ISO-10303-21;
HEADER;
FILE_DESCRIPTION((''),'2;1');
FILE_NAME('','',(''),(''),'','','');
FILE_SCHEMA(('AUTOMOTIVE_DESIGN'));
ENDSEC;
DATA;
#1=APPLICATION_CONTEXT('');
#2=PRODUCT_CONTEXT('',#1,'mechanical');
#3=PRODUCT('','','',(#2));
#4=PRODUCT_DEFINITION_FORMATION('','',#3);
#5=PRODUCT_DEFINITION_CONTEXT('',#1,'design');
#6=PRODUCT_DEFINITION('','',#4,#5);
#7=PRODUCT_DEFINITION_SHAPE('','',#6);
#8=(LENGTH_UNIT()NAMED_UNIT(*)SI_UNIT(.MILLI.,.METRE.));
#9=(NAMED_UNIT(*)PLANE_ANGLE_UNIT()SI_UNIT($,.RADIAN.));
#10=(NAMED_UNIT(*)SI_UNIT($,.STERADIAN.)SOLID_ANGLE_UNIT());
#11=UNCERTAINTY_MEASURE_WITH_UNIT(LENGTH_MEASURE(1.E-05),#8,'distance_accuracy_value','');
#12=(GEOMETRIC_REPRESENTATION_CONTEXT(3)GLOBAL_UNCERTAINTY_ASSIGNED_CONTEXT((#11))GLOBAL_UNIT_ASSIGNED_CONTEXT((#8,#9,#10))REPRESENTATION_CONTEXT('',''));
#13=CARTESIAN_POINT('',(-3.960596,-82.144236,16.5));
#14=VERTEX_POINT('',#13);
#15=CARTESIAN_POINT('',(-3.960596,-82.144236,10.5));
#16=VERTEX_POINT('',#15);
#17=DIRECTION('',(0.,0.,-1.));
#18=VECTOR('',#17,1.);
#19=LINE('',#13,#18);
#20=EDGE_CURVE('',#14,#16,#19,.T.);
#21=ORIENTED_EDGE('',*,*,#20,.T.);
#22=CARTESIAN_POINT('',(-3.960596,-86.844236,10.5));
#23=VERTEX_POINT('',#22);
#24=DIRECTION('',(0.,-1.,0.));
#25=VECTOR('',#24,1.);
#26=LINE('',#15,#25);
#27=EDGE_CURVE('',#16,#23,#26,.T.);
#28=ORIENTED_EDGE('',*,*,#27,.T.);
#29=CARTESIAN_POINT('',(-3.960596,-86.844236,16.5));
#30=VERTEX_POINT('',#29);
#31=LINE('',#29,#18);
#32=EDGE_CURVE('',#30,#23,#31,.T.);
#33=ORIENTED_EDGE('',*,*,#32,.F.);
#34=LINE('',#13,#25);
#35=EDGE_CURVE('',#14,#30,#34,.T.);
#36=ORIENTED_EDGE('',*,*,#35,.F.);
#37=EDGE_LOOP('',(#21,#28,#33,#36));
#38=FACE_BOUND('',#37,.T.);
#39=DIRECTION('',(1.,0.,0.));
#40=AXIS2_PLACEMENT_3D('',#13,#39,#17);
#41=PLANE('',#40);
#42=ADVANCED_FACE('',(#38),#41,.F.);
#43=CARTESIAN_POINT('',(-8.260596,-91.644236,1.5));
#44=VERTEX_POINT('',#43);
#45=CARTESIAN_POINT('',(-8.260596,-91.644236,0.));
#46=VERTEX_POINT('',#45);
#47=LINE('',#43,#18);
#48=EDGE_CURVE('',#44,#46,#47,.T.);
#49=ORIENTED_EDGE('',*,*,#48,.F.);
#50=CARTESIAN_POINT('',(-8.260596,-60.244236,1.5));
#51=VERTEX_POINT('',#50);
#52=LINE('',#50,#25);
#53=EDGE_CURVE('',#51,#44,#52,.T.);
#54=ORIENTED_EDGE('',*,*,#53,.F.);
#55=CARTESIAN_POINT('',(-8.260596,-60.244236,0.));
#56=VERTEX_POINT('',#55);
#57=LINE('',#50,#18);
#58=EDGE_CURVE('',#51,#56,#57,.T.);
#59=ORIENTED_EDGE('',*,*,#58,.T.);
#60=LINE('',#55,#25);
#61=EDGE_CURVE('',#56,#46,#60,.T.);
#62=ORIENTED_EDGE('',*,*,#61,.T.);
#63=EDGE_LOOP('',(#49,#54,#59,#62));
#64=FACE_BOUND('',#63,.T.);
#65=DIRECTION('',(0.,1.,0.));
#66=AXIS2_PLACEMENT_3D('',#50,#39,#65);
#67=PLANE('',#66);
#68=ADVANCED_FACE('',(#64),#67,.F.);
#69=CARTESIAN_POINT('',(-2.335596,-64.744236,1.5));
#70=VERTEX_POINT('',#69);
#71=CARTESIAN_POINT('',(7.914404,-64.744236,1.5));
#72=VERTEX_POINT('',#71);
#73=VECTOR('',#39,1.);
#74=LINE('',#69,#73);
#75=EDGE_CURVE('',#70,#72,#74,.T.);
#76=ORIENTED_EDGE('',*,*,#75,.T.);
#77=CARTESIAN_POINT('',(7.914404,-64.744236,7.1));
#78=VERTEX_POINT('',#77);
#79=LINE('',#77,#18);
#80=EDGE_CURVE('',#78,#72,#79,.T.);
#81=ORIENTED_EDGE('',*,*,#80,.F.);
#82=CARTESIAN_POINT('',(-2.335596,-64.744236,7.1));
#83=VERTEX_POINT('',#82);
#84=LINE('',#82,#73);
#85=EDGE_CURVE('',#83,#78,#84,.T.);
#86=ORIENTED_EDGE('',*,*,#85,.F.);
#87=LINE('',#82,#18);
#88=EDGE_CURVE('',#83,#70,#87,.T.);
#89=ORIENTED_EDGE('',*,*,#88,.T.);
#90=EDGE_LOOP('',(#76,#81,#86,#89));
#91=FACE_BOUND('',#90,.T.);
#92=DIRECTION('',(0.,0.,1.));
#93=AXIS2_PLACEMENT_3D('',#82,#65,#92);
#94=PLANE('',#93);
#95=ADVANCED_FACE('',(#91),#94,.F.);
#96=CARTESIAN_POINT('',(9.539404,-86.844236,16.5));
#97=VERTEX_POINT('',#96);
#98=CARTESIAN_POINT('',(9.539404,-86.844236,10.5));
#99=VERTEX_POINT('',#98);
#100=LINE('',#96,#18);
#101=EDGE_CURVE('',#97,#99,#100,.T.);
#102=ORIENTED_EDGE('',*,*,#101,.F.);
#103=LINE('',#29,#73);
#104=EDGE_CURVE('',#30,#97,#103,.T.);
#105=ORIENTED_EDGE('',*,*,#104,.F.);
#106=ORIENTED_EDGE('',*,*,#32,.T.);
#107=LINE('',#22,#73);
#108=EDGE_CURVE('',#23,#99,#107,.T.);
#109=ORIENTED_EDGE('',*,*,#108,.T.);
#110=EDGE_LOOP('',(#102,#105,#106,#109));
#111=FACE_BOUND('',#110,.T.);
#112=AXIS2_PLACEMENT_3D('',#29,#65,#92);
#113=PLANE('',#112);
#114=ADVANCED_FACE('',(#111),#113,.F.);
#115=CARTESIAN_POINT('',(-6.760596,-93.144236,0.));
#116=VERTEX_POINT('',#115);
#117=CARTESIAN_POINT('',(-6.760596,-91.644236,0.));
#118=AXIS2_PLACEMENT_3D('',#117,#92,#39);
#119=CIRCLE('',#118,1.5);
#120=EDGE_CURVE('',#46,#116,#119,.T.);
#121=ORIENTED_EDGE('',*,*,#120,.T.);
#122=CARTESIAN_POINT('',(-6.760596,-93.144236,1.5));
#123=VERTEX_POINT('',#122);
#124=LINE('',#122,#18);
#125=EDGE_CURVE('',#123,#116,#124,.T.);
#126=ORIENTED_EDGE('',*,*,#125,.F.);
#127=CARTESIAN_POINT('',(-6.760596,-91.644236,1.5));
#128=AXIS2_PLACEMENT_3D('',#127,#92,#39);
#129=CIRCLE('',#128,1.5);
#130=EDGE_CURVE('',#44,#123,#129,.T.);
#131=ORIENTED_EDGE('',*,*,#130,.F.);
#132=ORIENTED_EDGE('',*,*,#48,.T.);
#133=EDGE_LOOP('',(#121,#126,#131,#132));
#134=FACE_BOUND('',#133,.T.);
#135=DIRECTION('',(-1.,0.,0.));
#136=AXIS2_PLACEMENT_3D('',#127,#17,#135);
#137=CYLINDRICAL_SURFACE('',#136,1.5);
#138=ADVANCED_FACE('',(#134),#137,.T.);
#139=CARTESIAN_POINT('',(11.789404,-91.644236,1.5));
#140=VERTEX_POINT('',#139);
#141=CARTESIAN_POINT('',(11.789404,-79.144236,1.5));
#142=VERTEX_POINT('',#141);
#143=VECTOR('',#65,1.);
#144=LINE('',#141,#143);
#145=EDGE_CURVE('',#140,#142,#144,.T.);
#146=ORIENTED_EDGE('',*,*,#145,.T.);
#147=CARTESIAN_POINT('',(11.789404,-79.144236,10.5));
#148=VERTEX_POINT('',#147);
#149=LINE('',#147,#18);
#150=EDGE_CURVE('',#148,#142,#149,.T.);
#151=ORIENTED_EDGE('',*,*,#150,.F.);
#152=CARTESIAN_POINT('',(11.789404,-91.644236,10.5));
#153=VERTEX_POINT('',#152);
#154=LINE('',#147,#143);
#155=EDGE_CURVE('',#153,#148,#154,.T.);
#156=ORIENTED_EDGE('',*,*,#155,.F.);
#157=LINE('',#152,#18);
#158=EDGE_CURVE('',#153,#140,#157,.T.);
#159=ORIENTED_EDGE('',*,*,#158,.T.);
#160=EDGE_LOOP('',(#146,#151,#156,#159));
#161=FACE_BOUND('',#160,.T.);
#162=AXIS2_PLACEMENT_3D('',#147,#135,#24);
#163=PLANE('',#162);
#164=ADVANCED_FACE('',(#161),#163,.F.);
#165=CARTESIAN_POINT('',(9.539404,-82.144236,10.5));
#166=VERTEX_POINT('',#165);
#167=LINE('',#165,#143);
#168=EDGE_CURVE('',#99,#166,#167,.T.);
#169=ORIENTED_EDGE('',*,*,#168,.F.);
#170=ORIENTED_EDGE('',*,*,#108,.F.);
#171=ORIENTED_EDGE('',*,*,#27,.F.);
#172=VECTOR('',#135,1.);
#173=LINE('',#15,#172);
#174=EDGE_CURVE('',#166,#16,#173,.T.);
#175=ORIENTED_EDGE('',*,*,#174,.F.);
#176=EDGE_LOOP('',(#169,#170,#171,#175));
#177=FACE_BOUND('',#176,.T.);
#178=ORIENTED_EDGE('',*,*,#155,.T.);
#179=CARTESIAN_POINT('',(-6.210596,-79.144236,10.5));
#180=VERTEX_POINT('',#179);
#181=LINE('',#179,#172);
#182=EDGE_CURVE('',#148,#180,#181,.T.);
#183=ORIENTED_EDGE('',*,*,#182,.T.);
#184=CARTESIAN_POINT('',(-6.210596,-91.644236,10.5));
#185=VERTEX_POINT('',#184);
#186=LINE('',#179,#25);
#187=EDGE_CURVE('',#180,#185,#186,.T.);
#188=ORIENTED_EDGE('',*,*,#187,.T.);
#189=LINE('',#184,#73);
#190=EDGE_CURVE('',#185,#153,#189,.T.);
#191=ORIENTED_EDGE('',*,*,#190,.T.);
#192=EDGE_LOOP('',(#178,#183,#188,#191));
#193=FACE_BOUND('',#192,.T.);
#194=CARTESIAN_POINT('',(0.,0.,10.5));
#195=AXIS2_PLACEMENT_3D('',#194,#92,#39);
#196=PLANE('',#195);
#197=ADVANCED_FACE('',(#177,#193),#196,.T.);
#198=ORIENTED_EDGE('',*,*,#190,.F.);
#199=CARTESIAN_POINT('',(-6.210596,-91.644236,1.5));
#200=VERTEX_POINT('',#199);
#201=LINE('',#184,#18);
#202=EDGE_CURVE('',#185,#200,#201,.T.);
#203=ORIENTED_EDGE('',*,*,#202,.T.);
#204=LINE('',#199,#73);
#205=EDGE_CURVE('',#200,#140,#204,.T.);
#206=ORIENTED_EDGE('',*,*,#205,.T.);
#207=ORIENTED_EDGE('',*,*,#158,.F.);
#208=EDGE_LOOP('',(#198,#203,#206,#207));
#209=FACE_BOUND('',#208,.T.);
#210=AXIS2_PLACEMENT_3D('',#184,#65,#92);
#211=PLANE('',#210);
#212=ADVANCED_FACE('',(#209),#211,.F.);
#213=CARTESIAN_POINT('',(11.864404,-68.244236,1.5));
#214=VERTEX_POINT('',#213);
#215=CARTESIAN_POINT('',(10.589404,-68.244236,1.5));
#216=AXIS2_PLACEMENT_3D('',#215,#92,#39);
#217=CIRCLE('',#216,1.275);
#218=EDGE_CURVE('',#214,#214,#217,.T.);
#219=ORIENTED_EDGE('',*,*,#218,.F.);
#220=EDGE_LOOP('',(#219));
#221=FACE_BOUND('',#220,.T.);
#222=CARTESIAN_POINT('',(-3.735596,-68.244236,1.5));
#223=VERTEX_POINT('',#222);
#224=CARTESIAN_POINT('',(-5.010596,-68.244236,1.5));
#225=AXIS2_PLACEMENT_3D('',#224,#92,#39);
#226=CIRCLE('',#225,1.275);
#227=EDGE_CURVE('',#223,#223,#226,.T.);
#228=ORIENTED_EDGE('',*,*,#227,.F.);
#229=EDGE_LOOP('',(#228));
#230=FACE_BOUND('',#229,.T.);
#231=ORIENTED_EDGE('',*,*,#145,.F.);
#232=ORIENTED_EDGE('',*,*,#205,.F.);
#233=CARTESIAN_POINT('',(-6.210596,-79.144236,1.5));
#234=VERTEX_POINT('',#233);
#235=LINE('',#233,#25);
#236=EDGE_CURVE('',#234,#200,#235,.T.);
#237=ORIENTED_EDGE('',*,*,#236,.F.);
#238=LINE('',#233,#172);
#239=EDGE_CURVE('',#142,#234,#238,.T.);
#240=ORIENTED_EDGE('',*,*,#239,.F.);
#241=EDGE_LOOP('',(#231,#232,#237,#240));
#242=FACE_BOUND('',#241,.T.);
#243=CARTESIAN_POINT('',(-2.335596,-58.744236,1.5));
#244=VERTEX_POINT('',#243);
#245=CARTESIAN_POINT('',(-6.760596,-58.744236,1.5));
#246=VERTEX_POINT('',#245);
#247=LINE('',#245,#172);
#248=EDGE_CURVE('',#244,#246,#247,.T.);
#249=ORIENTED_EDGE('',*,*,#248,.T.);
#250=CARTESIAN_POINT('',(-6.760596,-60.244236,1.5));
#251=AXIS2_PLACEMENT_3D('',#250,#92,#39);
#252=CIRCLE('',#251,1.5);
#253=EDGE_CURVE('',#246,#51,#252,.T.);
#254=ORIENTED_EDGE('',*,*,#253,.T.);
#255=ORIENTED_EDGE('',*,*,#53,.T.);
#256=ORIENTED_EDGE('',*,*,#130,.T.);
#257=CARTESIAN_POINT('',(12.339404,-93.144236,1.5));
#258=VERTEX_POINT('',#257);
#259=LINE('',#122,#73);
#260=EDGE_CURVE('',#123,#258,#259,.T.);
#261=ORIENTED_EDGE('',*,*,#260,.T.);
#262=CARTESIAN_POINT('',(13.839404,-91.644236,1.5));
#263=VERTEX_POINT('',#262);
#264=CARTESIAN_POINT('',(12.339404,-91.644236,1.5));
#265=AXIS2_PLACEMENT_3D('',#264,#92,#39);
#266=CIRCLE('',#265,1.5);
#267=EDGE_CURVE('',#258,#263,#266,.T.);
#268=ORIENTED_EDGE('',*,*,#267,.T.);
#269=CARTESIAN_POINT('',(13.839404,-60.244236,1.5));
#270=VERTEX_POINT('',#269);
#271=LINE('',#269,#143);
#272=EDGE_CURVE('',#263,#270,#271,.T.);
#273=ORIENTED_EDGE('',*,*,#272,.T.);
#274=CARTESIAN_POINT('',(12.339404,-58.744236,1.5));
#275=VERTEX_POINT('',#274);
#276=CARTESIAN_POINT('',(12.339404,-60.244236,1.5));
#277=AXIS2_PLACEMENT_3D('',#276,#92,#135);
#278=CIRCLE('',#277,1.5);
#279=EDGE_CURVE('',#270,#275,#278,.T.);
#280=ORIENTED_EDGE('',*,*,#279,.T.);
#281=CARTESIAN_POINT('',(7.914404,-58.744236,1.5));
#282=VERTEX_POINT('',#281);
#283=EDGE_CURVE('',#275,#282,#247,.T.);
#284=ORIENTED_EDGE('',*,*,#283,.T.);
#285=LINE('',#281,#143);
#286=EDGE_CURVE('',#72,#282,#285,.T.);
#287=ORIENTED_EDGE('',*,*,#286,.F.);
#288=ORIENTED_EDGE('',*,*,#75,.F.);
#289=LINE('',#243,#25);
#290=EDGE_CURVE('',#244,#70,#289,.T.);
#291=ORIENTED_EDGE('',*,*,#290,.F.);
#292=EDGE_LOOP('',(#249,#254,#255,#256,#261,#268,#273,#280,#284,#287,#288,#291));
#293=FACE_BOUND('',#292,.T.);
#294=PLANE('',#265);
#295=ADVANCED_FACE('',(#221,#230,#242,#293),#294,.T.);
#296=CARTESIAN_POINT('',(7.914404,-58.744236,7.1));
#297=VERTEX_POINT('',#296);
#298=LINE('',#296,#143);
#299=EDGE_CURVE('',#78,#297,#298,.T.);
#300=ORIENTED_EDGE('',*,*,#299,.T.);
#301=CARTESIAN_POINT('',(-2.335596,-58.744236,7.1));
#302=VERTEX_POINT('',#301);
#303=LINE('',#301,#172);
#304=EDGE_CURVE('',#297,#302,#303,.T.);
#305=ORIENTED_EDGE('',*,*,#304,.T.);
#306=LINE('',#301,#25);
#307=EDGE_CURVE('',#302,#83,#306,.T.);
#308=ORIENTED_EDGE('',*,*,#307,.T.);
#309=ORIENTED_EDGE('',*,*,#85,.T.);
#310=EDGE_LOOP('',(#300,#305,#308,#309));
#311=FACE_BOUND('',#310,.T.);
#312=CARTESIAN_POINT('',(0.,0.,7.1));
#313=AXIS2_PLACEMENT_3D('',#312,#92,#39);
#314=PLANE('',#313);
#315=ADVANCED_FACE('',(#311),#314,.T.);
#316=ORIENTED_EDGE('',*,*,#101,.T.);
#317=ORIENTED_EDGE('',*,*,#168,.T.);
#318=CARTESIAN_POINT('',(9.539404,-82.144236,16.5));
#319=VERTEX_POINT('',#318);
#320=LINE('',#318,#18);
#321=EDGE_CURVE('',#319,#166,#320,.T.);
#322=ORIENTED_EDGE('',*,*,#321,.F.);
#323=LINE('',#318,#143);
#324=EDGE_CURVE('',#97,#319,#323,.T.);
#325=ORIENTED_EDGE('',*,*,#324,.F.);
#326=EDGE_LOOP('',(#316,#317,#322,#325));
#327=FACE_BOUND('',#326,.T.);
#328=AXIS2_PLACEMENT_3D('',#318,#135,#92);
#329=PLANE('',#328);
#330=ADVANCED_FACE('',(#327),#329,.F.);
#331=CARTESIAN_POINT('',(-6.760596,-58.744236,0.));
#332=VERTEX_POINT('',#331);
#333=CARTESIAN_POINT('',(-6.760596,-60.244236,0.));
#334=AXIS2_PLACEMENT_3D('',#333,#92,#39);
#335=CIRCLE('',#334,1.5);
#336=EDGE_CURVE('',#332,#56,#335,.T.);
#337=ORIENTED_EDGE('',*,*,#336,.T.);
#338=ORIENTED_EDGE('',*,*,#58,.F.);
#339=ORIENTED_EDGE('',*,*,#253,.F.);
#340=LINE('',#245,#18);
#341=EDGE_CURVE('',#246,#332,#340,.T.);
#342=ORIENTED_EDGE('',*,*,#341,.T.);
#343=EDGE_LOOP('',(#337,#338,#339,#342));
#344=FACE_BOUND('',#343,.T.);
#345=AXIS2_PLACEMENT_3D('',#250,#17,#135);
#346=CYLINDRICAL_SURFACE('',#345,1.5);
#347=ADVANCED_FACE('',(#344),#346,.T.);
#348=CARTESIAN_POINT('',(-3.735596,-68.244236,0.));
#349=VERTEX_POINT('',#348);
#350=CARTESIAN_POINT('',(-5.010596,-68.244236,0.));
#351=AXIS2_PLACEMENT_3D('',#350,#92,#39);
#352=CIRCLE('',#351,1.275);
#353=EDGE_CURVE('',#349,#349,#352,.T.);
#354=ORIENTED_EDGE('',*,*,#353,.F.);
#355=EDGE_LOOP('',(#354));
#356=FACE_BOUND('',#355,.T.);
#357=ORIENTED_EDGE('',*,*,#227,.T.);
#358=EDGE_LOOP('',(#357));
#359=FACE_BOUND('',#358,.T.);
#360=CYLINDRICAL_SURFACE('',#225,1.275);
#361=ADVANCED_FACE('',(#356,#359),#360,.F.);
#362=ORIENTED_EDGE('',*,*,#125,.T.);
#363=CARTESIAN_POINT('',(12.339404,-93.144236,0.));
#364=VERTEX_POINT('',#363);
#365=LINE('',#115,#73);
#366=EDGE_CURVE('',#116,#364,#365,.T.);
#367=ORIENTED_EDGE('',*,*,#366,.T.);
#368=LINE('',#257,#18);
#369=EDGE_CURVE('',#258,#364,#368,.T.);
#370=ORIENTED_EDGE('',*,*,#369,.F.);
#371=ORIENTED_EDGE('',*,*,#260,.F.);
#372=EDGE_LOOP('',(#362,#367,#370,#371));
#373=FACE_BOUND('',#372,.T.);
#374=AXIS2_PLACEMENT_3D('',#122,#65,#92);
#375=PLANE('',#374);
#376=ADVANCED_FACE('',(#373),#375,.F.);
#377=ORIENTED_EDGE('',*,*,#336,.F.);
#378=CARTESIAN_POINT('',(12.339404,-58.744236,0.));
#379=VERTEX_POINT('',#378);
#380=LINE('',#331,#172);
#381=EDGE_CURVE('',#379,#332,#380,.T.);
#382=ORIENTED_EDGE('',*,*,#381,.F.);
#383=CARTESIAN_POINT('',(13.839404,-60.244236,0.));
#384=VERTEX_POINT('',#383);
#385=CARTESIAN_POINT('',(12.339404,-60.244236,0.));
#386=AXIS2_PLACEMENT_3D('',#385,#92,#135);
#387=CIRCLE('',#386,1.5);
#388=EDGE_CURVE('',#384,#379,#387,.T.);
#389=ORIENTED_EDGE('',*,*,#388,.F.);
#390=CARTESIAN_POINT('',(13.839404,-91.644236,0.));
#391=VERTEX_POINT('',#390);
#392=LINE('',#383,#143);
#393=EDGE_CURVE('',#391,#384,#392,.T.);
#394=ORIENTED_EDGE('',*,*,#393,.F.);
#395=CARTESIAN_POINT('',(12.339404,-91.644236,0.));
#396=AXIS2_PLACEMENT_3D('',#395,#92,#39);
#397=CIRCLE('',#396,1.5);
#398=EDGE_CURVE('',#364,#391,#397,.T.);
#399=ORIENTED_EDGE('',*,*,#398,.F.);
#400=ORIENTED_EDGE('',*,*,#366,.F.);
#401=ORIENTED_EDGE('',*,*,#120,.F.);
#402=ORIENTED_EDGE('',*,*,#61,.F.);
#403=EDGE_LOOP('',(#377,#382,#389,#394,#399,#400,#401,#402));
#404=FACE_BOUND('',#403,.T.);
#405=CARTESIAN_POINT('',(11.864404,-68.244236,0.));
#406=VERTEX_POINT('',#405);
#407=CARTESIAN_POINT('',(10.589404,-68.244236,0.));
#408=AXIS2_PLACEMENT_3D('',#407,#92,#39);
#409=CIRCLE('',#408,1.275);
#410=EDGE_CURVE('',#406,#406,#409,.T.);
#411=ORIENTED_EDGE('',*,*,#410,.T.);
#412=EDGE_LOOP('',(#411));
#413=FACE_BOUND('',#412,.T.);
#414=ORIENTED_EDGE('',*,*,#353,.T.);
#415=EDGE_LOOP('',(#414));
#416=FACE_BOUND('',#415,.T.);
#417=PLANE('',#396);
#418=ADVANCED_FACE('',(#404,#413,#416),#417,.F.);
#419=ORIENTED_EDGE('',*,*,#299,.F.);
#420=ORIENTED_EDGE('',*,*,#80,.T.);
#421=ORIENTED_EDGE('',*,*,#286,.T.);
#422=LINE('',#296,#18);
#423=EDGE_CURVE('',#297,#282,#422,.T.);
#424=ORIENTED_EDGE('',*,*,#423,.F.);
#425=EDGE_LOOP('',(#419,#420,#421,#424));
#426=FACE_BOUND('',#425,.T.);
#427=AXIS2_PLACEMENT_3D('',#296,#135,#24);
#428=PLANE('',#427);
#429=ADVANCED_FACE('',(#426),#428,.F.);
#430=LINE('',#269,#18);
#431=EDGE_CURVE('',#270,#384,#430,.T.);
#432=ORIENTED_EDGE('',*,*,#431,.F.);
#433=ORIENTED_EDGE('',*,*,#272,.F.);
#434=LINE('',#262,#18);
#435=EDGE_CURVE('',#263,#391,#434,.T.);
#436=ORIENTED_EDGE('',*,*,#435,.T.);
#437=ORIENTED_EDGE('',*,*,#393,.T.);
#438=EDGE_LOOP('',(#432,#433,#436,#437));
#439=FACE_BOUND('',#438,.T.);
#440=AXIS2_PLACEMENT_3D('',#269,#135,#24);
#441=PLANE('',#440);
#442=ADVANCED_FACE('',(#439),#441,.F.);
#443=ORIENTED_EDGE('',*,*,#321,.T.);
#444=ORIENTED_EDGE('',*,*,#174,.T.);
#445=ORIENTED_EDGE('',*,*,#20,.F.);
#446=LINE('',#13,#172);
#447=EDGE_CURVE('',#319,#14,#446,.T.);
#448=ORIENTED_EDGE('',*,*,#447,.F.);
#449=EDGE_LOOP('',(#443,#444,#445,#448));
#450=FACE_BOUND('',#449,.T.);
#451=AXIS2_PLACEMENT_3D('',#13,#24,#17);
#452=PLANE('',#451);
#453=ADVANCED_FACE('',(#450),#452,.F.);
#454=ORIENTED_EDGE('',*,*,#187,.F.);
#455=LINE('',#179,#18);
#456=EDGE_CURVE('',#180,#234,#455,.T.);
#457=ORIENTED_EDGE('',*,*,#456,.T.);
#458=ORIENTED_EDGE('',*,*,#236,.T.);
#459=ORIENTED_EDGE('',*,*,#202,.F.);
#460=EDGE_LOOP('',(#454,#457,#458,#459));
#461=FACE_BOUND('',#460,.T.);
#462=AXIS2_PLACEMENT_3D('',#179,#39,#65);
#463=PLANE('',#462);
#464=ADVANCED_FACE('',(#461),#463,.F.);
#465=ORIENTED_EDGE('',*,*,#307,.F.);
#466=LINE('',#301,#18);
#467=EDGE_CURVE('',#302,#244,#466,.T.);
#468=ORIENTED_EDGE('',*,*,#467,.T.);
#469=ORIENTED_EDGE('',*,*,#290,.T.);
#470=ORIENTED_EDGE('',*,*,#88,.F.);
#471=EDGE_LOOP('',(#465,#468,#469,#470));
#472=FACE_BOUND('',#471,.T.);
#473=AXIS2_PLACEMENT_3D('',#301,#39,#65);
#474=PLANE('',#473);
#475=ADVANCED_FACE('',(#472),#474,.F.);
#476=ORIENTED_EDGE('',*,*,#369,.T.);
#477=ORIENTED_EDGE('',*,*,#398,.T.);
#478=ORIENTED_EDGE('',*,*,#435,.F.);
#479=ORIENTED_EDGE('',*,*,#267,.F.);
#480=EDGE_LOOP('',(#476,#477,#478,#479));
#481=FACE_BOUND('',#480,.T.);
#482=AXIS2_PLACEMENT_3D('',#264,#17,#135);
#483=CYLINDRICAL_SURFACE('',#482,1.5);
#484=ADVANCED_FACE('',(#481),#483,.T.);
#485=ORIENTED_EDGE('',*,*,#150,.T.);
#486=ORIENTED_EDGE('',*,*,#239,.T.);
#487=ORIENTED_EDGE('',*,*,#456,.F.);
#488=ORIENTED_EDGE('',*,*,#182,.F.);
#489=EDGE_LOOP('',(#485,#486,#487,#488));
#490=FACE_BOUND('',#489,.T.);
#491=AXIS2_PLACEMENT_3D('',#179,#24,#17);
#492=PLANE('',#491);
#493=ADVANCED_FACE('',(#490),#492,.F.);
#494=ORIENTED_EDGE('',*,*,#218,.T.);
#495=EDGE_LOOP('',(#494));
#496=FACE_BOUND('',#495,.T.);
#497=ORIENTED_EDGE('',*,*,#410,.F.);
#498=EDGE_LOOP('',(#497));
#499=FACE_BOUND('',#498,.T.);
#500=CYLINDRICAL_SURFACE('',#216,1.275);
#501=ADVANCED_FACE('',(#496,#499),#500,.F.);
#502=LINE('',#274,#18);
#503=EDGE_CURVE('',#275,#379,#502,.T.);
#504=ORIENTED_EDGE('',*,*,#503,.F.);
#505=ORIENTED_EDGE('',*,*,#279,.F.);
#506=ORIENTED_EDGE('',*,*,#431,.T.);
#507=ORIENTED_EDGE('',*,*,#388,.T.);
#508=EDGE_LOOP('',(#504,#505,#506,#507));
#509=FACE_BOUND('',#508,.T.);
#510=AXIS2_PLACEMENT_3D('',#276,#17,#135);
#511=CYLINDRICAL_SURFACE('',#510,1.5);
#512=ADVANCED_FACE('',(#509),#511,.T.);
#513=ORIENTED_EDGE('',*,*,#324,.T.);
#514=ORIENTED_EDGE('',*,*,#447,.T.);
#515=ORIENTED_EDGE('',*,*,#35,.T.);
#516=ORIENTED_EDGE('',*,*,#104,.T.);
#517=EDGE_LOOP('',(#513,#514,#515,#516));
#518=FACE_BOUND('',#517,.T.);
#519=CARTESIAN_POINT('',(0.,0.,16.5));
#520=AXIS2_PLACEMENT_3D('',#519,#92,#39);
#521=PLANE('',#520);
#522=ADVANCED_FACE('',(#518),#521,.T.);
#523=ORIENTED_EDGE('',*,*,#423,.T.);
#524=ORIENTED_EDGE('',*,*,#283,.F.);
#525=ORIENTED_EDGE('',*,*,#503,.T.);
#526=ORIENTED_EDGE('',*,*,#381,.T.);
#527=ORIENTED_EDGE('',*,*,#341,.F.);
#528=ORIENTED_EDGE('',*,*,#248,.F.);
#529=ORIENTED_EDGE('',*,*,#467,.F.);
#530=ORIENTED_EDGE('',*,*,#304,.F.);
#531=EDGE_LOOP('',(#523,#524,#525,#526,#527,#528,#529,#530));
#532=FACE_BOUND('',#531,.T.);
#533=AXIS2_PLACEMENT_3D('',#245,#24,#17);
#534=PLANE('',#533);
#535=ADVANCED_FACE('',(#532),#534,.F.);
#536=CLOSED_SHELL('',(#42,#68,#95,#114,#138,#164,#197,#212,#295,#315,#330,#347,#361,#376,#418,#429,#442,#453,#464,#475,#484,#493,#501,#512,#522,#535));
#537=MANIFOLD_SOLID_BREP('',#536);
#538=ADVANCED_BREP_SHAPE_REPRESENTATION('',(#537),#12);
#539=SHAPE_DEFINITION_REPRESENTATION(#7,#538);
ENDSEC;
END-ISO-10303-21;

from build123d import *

# Parameters (mm, degrees)
EXTRUDE_1_DEPTH      = 1.5
SKETCH_2_W           = 18
SKETCH_2_H           = 12.5
EXTRUDE_2_DEPTH      = 9
SKETCH_3_W           = 13.5
SKETCH_3_H           = 4.7
EXTRUDE_3_DEPTH      = 6
SKETCH_4_W           = 10.25
SKETCH_4_H           = 6
EXTRUDE_4_DEPTH      = 5.6
HOLE_WIZARD_M2_5_1_D = 2.55


with BuildPart() as part:
    # 草圖1 → 填料-伸長1 (new body)
    with BuildSketch(Plane.XY):
        with BuildLine():
            Line((-6.760595539, -58.744235659), (12.339404461, -58.744235659))
            ThreePointArc((12.339404461, -58.744235659), (13.400064632, -59.183575487), (13.839404461, -60.244235659))
            Line((13.839404461, -60.244235659), (13.839404461, -91.644235659))
            ThreePointArc((13.839404461, -91.644235659), (13.400064632, -92.70489583), (12.339404461, -93.144235659))
            Line((12.339404461, -93.144235659), (-6.760595539, -93.144235659))
            ThreePointArc((-6.760595539, -93.144235659), (-7.821255711, -92.70489583), (-8.260595539, -91.644235659))
            Line((-8.260595539, -91.644235659), (-8.260595539, -60.244235659))
            ThreePointArc((-8.260595539, -60.244235659), (-7.821255711, -59.183575487), (-6.760595539, -58.744235659))
        make_face()
    extrude(amount=EXTRUDE_1_DEPTH)

    # 草圖2 → 填料-伸長2 (add)
    with BuildSketch(Plane.XY.offset(1.5)):
        with Locations((2.789404461, -85.394235659)):
            Rectangle(SKETCH_2_W, SKETCH_2_H)
    extrude(amount=EXTRUDE_2_DEPTH)

    # 草圖3 → 填料-伸長3 (add)
    with BuildSketch(Plane.XY.offset(10.5)):
        with Locations((2.789404461, -84.494235659)):
            Rectangle(SKETCH_3_W, SKETCH_3_H)
    extrude(amount=EXTRUDE_3_DEPTH)

    # 草圖4 → 填料-伸長4 (add)
    with BuildSketch(Plane.XY.offset(1.5)):
        with Locations((2.789404461, -61.744235659)):
            Rectangle(SKETCH_4_W, SKETCH_4_H)
    extrude(amount=EXTRUDE_4_DEPTH)

    # M2.5 螺旋的螺孔鑽1 (through all)
    with Locations(Plane.XY.offset(1.5)):
        with Locations((-5.010595539, -68.244235659), (10.589404461, -68.244235659)):
            Hole(HOLE_WIZARD_M2_5_1_D / 2)


solid = part.part
